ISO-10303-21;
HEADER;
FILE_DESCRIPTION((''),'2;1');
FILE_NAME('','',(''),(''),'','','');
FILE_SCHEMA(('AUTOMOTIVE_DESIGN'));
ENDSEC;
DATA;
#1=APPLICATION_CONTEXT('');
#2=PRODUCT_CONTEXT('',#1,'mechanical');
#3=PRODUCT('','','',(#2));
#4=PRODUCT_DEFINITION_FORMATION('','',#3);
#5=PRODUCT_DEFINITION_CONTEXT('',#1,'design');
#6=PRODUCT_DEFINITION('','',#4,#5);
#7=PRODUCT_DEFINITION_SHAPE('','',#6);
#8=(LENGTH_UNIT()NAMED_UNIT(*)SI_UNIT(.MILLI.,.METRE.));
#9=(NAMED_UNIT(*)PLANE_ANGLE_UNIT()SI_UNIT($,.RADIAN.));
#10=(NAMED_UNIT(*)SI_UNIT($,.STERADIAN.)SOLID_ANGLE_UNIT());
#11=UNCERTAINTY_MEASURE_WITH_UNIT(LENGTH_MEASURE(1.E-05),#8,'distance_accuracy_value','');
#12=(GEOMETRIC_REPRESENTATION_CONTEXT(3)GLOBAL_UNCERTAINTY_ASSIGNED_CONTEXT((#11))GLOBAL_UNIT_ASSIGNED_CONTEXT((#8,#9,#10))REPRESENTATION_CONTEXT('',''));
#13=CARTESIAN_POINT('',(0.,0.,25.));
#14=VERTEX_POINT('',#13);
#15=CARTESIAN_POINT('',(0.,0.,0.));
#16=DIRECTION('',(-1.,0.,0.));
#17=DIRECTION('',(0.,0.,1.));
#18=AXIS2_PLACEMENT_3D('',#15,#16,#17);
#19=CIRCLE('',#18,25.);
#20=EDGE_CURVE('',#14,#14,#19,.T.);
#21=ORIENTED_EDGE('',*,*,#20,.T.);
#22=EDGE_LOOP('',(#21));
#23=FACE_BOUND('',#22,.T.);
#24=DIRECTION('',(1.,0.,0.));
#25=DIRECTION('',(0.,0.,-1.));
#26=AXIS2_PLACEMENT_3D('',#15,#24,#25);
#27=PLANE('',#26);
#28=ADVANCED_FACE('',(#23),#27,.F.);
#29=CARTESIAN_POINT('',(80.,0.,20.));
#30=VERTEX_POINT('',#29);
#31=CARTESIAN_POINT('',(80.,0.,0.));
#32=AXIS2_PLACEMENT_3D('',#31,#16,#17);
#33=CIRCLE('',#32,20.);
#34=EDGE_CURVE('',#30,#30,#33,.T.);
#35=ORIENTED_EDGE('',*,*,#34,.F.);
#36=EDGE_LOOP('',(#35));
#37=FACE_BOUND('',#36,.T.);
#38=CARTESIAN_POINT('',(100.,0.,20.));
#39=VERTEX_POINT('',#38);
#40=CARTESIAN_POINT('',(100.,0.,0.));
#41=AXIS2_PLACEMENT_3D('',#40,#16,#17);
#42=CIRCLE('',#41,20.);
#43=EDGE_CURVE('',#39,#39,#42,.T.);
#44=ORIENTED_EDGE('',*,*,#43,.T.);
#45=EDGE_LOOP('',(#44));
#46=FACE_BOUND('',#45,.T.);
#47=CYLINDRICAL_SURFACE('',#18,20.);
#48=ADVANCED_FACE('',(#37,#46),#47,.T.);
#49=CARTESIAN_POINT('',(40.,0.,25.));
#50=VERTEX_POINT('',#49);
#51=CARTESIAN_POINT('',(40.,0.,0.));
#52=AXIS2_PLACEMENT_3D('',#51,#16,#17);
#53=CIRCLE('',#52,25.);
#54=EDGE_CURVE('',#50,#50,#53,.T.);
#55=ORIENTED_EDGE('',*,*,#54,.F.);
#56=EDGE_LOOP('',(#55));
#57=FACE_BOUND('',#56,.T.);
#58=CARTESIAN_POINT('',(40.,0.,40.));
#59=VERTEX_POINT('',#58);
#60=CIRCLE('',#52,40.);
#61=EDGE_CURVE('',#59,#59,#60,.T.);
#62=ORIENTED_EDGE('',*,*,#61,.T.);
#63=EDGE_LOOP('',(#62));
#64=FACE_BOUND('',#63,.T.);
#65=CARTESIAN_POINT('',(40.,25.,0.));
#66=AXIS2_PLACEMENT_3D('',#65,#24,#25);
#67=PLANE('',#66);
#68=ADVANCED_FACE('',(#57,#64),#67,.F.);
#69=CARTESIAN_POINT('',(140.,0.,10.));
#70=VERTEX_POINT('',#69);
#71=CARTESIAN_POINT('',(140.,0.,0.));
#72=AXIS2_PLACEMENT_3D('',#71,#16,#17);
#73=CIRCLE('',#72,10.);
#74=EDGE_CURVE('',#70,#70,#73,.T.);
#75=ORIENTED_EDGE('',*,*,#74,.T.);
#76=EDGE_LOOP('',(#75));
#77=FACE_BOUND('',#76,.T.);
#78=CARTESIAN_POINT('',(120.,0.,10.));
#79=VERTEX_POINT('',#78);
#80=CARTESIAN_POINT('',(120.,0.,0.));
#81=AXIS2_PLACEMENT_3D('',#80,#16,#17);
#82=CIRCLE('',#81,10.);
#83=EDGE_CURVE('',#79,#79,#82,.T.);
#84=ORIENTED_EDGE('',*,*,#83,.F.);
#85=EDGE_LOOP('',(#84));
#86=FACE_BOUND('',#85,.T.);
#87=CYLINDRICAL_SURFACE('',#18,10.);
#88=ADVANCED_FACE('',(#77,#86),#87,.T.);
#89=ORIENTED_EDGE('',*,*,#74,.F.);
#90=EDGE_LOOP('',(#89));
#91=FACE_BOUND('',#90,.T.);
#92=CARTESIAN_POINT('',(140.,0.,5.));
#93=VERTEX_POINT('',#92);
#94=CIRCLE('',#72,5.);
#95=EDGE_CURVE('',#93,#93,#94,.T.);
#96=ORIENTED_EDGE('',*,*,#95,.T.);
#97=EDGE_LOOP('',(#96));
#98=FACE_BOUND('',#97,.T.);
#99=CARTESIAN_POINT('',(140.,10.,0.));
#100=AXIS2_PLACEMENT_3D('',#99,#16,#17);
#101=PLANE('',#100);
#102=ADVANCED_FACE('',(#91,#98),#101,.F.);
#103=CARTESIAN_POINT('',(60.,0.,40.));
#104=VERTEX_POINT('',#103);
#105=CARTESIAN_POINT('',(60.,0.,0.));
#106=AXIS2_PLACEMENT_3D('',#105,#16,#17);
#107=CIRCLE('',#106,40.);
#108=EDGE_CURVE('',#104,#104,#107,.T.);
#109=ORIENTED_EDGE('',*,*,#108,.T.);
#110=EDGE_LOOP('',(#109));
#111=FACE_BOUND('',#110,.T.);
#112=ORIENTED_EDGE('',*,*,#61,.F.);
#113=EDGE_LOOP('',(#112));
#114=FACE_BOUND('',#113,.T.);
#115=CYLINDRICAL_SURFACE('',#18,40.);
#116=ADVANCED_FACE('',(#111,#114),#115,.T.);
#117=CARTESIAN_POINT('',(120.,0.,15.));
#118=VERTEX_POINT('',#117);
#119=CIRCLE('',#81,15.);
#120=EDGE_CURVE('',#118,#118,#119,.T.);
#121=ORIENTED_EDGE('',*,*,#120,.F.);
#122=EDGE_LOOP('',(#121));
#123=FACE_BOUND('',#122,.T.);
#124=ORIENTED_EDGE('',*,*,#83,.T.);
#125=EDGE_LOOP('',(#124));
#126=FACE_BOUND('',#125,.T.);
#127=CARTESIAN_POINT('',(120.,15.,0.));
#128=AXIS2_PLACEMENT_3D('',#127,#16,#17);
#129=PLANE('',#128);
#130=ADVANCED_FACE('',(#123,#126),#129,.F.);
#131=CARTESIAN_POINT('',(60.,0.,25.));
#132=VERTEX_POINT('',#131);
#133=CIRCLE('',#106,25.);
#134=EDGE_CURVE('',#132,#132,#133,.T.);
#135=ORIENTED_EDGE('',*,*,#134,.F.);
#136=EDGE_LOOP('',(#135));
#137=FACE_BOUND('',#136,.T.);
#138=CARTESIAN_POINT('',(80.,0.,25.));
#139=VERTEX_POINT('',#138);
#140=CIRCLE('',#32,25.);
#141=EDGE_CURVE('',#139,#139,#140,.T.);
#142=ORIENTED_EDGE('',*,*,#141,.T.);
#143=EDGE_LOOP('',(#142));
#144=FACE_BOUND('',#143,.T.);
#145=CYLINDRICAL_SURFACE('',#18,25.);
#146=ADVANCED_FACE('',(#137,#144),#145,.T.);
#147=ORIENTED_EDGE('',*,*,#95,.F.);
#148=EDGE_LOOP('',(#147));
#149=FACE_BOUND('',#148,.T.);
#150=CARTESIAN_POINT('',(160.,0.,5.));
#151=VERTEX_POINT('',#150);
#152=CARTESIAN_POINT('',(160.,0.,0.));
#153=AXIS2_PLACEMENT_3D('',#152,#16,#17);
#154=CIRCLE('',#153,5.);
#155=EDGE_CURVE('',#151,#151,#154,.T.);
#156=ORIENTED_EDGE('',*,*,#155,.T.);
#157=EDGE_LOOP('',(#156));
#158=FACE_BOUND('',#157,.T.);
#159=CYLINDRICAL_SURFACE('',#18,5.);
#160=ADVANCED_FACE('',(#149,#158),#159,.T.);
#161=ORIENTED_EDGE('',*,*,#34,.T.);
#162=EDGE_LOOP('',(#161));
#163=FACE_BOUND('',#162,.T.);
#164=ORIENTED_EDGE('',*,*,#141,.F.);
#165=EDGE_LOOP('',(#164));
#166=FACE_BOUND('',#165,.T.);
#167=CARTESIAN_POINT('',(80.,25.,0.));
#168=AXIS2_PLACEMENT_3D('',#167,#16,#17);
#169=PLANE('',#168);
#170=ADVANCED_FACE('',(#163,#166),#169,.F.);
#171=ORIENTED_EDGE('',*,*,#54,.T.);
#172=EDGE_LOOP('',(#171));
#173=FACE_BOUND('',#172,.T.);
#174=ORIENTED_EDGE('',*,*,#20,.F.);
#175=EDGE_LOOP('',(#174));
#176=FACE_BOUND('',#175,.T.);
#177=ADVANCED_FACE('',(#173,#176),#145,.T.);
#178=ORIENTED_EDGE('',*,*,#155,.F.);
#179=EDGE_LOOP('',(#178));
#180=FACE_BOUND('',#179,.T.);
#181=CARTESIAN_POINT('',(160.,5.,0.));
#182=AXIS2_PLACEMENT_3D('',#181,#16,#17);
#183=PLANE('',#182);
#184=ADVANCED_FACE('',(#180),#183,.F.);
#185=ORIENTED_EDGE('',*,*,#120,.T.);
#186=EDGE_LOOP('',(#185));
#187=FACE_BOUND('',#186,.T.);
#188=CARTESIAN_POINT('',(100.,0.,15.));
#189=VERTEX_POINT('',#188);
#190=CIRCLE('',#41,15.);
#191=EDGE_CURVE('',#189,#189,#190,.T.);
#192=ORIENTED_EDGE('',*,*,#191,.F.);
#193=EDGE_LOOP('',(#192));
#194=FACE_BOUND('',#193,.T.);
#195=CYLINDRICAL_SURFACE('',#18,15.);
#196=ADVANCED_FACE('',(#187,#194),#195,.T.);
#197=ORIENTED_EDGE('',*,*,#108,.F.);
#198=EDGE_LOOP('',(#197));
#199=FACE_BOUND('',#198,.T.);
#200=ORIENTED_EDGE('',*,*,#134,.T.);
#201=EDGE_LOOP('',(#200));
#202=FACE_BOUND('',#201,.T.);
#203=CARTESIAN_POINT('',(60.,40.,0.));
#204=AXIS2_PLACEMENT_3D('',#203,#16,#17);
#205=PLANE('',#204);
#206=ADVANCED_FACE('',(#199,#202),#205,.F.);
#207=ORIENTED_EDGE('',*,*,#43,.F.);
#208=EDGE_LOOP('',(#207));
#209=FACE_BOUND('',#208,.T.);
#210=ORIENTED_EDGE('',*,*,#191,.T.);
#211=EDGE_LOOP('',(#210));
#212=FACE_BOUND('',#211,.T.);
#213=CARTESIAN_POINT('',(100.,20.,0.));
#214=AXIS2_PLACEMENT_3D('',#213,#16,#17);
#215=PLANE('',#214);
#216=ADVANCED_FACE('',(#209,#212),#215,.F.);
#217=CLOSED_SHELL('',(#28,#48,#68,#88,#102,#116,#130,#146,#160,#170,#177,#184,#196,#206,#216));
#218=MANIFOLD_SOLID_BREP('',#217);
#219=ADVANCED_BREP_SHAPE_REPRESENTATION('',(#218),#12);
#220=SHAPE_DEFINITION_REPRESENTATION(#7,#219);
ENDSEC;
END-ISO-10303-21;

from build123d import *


with BuildPart() as part:
    # Sketch1 → Revolve1 (revolve)
    with BuildSketch(Plane.XY, mode=Mode.PRIVATE) as revolve1_sk:
        Polygon((0, 0), (0, 25), (40, 25), (40, 40), (60, 40), (60, 25), (80, 25), (80, 20), (100, 20), (100, 15), (120, 15), (120, 10), (140, 10), (140, 5), (160, 5), (160, 0), align=None)
    revolve(revolve1_sk.sketch.rotate(Axis((0, 0, 0), (1, 0, 0)), 90), axis=Axis((0, 0, 0), (1, 0, 0)))  # turned: the seam where the file's is


solid = part.part
